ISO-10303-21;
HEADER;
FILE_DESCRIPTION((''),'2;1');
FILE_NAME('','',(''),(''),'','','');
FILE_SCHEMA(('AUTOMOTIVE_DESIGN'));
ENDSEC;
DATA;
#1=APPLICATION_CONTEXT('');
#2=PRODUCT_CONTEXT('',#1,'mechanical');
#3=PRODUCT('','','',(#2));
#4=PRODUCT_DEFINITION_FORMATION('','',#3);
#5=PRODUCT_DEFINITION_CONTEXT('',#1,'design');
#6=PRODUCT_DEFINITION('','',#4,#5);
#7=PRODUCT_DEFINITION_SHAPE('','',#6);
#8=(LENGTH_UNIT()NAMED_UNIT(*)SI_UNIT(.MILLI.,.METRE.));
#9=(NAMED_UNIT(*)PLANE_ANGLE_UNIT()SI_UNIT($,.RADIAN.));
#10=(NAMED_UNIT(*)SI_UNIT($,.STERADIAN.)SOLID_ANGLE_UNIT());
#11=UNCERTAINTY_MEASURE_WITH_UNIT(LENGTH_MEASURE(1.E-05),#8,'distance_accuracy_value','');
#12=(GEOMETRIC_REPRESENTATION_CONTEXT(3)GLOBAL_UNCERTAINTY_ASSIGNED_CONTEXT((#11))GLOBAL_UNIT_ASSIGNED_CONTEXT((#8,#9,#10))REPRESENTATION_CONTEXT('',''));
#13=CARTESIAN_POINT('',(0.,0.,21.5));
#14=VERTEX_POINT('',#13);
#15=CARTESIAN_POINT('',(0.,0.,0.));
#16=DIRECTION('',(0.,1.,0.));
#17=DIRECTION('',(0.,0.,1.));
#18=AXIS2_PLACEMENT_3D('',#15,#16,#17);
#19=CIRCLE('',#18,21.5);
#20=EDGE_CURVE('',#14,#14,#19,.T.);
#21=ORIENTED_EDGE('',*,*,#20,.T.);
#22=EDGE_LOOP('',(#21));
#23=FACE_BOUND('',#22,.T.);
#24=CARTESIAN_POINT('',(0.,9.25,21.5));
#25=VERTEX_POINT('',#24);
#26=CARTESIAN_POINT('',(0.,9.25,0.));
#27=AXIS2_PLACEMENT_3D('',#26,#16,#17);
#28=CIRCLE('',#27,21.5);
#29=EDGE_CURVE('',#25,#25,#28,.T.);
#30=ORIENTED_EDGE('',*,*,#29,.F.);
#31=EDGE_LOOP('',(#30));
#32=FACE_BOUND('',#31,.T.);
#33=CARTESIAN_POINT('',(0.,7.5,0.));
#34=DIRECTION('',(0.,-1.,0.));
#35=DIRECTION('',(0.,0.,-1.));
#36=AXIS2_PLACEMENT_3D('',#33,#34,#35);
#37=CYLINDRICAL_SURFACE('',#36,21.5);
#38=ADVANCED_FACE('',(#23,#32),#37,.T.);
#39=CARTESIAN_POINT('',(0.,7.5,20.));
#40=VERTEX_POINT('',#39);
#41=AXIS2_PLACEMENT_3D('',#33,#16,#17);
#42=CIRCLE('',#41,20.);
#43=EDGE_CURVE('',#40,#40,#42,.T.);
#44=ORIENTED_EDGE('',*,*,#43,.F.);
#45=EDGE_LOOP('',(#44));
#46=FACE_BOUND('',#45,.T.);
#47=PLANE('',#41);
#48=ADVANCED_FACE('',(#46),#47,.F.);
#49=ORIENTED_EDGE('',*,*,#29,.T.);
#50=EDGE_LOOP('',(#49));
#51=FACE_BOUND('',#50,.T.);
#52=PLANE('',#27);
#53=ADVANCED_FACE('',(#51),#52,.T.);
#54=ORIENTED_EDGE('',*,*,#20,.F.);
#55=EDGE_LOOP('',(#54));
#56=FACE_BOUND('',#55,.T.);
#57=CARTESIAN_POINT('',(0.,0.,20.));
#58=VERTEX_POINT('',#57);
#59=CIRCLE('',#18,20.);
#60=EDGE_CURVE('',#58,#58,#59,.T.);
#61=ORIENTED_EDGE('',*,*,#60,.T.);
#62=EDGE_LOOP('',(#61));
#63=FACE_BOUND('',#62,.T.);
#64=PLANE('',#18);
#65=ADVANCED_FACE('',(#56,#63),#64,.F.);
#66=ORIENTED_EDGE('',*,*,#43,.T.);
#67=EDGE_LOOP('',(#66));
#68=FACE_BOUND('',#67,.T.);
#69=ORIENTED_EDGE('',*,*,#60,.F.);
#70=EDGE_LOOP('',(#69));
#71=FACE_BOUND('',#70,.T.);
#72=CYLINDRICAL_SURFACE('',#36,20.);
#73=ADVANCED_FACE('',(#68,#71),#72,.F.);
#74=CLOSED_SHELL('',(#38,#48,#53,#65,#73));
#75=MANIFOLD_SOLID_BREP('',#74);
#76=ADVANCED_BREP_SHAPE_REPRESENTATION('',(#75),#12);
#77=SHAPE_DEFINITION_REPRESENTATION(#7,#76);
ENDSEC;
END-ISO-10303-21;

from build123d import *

# Parameters (mm, degrees)
SKETCH1_R           = 21.5
SKETCH1_R_2         = 20
BOSS_EXTRUDE1_DEPTH = 7.5
SKETCH2_R           = 21.5
BOSS_EXTRUDE2_DEPTH = 1.75


with BuildPart() as part:
    # Sketch1 → Boss-Extrude1 (new body)
    with BuildSketch(Plane(origin=(0, 0, 0), x_dir=(1, 0, 0), z_dir=(0, 1, 0))):
        Circle(SKETCH1_R)
        Circle(SKETCH1_R_2, mode=Mode.SUBTRACT)
    extrude(amount=BOSS_EXTRUDE1_DEPTH)

    # Sketch2 → Boss-Extrude2 (add)
    with BuildSketch(Plane(origin=(0, 7.5, 0), x_dir=(1, 0, 0), z_dir=(0, 1, 0))):
        Circle(SKETCH2_R)
    extrude(amount=BOSS_EXTRUDE2_DEPTH)


solid = part.part
